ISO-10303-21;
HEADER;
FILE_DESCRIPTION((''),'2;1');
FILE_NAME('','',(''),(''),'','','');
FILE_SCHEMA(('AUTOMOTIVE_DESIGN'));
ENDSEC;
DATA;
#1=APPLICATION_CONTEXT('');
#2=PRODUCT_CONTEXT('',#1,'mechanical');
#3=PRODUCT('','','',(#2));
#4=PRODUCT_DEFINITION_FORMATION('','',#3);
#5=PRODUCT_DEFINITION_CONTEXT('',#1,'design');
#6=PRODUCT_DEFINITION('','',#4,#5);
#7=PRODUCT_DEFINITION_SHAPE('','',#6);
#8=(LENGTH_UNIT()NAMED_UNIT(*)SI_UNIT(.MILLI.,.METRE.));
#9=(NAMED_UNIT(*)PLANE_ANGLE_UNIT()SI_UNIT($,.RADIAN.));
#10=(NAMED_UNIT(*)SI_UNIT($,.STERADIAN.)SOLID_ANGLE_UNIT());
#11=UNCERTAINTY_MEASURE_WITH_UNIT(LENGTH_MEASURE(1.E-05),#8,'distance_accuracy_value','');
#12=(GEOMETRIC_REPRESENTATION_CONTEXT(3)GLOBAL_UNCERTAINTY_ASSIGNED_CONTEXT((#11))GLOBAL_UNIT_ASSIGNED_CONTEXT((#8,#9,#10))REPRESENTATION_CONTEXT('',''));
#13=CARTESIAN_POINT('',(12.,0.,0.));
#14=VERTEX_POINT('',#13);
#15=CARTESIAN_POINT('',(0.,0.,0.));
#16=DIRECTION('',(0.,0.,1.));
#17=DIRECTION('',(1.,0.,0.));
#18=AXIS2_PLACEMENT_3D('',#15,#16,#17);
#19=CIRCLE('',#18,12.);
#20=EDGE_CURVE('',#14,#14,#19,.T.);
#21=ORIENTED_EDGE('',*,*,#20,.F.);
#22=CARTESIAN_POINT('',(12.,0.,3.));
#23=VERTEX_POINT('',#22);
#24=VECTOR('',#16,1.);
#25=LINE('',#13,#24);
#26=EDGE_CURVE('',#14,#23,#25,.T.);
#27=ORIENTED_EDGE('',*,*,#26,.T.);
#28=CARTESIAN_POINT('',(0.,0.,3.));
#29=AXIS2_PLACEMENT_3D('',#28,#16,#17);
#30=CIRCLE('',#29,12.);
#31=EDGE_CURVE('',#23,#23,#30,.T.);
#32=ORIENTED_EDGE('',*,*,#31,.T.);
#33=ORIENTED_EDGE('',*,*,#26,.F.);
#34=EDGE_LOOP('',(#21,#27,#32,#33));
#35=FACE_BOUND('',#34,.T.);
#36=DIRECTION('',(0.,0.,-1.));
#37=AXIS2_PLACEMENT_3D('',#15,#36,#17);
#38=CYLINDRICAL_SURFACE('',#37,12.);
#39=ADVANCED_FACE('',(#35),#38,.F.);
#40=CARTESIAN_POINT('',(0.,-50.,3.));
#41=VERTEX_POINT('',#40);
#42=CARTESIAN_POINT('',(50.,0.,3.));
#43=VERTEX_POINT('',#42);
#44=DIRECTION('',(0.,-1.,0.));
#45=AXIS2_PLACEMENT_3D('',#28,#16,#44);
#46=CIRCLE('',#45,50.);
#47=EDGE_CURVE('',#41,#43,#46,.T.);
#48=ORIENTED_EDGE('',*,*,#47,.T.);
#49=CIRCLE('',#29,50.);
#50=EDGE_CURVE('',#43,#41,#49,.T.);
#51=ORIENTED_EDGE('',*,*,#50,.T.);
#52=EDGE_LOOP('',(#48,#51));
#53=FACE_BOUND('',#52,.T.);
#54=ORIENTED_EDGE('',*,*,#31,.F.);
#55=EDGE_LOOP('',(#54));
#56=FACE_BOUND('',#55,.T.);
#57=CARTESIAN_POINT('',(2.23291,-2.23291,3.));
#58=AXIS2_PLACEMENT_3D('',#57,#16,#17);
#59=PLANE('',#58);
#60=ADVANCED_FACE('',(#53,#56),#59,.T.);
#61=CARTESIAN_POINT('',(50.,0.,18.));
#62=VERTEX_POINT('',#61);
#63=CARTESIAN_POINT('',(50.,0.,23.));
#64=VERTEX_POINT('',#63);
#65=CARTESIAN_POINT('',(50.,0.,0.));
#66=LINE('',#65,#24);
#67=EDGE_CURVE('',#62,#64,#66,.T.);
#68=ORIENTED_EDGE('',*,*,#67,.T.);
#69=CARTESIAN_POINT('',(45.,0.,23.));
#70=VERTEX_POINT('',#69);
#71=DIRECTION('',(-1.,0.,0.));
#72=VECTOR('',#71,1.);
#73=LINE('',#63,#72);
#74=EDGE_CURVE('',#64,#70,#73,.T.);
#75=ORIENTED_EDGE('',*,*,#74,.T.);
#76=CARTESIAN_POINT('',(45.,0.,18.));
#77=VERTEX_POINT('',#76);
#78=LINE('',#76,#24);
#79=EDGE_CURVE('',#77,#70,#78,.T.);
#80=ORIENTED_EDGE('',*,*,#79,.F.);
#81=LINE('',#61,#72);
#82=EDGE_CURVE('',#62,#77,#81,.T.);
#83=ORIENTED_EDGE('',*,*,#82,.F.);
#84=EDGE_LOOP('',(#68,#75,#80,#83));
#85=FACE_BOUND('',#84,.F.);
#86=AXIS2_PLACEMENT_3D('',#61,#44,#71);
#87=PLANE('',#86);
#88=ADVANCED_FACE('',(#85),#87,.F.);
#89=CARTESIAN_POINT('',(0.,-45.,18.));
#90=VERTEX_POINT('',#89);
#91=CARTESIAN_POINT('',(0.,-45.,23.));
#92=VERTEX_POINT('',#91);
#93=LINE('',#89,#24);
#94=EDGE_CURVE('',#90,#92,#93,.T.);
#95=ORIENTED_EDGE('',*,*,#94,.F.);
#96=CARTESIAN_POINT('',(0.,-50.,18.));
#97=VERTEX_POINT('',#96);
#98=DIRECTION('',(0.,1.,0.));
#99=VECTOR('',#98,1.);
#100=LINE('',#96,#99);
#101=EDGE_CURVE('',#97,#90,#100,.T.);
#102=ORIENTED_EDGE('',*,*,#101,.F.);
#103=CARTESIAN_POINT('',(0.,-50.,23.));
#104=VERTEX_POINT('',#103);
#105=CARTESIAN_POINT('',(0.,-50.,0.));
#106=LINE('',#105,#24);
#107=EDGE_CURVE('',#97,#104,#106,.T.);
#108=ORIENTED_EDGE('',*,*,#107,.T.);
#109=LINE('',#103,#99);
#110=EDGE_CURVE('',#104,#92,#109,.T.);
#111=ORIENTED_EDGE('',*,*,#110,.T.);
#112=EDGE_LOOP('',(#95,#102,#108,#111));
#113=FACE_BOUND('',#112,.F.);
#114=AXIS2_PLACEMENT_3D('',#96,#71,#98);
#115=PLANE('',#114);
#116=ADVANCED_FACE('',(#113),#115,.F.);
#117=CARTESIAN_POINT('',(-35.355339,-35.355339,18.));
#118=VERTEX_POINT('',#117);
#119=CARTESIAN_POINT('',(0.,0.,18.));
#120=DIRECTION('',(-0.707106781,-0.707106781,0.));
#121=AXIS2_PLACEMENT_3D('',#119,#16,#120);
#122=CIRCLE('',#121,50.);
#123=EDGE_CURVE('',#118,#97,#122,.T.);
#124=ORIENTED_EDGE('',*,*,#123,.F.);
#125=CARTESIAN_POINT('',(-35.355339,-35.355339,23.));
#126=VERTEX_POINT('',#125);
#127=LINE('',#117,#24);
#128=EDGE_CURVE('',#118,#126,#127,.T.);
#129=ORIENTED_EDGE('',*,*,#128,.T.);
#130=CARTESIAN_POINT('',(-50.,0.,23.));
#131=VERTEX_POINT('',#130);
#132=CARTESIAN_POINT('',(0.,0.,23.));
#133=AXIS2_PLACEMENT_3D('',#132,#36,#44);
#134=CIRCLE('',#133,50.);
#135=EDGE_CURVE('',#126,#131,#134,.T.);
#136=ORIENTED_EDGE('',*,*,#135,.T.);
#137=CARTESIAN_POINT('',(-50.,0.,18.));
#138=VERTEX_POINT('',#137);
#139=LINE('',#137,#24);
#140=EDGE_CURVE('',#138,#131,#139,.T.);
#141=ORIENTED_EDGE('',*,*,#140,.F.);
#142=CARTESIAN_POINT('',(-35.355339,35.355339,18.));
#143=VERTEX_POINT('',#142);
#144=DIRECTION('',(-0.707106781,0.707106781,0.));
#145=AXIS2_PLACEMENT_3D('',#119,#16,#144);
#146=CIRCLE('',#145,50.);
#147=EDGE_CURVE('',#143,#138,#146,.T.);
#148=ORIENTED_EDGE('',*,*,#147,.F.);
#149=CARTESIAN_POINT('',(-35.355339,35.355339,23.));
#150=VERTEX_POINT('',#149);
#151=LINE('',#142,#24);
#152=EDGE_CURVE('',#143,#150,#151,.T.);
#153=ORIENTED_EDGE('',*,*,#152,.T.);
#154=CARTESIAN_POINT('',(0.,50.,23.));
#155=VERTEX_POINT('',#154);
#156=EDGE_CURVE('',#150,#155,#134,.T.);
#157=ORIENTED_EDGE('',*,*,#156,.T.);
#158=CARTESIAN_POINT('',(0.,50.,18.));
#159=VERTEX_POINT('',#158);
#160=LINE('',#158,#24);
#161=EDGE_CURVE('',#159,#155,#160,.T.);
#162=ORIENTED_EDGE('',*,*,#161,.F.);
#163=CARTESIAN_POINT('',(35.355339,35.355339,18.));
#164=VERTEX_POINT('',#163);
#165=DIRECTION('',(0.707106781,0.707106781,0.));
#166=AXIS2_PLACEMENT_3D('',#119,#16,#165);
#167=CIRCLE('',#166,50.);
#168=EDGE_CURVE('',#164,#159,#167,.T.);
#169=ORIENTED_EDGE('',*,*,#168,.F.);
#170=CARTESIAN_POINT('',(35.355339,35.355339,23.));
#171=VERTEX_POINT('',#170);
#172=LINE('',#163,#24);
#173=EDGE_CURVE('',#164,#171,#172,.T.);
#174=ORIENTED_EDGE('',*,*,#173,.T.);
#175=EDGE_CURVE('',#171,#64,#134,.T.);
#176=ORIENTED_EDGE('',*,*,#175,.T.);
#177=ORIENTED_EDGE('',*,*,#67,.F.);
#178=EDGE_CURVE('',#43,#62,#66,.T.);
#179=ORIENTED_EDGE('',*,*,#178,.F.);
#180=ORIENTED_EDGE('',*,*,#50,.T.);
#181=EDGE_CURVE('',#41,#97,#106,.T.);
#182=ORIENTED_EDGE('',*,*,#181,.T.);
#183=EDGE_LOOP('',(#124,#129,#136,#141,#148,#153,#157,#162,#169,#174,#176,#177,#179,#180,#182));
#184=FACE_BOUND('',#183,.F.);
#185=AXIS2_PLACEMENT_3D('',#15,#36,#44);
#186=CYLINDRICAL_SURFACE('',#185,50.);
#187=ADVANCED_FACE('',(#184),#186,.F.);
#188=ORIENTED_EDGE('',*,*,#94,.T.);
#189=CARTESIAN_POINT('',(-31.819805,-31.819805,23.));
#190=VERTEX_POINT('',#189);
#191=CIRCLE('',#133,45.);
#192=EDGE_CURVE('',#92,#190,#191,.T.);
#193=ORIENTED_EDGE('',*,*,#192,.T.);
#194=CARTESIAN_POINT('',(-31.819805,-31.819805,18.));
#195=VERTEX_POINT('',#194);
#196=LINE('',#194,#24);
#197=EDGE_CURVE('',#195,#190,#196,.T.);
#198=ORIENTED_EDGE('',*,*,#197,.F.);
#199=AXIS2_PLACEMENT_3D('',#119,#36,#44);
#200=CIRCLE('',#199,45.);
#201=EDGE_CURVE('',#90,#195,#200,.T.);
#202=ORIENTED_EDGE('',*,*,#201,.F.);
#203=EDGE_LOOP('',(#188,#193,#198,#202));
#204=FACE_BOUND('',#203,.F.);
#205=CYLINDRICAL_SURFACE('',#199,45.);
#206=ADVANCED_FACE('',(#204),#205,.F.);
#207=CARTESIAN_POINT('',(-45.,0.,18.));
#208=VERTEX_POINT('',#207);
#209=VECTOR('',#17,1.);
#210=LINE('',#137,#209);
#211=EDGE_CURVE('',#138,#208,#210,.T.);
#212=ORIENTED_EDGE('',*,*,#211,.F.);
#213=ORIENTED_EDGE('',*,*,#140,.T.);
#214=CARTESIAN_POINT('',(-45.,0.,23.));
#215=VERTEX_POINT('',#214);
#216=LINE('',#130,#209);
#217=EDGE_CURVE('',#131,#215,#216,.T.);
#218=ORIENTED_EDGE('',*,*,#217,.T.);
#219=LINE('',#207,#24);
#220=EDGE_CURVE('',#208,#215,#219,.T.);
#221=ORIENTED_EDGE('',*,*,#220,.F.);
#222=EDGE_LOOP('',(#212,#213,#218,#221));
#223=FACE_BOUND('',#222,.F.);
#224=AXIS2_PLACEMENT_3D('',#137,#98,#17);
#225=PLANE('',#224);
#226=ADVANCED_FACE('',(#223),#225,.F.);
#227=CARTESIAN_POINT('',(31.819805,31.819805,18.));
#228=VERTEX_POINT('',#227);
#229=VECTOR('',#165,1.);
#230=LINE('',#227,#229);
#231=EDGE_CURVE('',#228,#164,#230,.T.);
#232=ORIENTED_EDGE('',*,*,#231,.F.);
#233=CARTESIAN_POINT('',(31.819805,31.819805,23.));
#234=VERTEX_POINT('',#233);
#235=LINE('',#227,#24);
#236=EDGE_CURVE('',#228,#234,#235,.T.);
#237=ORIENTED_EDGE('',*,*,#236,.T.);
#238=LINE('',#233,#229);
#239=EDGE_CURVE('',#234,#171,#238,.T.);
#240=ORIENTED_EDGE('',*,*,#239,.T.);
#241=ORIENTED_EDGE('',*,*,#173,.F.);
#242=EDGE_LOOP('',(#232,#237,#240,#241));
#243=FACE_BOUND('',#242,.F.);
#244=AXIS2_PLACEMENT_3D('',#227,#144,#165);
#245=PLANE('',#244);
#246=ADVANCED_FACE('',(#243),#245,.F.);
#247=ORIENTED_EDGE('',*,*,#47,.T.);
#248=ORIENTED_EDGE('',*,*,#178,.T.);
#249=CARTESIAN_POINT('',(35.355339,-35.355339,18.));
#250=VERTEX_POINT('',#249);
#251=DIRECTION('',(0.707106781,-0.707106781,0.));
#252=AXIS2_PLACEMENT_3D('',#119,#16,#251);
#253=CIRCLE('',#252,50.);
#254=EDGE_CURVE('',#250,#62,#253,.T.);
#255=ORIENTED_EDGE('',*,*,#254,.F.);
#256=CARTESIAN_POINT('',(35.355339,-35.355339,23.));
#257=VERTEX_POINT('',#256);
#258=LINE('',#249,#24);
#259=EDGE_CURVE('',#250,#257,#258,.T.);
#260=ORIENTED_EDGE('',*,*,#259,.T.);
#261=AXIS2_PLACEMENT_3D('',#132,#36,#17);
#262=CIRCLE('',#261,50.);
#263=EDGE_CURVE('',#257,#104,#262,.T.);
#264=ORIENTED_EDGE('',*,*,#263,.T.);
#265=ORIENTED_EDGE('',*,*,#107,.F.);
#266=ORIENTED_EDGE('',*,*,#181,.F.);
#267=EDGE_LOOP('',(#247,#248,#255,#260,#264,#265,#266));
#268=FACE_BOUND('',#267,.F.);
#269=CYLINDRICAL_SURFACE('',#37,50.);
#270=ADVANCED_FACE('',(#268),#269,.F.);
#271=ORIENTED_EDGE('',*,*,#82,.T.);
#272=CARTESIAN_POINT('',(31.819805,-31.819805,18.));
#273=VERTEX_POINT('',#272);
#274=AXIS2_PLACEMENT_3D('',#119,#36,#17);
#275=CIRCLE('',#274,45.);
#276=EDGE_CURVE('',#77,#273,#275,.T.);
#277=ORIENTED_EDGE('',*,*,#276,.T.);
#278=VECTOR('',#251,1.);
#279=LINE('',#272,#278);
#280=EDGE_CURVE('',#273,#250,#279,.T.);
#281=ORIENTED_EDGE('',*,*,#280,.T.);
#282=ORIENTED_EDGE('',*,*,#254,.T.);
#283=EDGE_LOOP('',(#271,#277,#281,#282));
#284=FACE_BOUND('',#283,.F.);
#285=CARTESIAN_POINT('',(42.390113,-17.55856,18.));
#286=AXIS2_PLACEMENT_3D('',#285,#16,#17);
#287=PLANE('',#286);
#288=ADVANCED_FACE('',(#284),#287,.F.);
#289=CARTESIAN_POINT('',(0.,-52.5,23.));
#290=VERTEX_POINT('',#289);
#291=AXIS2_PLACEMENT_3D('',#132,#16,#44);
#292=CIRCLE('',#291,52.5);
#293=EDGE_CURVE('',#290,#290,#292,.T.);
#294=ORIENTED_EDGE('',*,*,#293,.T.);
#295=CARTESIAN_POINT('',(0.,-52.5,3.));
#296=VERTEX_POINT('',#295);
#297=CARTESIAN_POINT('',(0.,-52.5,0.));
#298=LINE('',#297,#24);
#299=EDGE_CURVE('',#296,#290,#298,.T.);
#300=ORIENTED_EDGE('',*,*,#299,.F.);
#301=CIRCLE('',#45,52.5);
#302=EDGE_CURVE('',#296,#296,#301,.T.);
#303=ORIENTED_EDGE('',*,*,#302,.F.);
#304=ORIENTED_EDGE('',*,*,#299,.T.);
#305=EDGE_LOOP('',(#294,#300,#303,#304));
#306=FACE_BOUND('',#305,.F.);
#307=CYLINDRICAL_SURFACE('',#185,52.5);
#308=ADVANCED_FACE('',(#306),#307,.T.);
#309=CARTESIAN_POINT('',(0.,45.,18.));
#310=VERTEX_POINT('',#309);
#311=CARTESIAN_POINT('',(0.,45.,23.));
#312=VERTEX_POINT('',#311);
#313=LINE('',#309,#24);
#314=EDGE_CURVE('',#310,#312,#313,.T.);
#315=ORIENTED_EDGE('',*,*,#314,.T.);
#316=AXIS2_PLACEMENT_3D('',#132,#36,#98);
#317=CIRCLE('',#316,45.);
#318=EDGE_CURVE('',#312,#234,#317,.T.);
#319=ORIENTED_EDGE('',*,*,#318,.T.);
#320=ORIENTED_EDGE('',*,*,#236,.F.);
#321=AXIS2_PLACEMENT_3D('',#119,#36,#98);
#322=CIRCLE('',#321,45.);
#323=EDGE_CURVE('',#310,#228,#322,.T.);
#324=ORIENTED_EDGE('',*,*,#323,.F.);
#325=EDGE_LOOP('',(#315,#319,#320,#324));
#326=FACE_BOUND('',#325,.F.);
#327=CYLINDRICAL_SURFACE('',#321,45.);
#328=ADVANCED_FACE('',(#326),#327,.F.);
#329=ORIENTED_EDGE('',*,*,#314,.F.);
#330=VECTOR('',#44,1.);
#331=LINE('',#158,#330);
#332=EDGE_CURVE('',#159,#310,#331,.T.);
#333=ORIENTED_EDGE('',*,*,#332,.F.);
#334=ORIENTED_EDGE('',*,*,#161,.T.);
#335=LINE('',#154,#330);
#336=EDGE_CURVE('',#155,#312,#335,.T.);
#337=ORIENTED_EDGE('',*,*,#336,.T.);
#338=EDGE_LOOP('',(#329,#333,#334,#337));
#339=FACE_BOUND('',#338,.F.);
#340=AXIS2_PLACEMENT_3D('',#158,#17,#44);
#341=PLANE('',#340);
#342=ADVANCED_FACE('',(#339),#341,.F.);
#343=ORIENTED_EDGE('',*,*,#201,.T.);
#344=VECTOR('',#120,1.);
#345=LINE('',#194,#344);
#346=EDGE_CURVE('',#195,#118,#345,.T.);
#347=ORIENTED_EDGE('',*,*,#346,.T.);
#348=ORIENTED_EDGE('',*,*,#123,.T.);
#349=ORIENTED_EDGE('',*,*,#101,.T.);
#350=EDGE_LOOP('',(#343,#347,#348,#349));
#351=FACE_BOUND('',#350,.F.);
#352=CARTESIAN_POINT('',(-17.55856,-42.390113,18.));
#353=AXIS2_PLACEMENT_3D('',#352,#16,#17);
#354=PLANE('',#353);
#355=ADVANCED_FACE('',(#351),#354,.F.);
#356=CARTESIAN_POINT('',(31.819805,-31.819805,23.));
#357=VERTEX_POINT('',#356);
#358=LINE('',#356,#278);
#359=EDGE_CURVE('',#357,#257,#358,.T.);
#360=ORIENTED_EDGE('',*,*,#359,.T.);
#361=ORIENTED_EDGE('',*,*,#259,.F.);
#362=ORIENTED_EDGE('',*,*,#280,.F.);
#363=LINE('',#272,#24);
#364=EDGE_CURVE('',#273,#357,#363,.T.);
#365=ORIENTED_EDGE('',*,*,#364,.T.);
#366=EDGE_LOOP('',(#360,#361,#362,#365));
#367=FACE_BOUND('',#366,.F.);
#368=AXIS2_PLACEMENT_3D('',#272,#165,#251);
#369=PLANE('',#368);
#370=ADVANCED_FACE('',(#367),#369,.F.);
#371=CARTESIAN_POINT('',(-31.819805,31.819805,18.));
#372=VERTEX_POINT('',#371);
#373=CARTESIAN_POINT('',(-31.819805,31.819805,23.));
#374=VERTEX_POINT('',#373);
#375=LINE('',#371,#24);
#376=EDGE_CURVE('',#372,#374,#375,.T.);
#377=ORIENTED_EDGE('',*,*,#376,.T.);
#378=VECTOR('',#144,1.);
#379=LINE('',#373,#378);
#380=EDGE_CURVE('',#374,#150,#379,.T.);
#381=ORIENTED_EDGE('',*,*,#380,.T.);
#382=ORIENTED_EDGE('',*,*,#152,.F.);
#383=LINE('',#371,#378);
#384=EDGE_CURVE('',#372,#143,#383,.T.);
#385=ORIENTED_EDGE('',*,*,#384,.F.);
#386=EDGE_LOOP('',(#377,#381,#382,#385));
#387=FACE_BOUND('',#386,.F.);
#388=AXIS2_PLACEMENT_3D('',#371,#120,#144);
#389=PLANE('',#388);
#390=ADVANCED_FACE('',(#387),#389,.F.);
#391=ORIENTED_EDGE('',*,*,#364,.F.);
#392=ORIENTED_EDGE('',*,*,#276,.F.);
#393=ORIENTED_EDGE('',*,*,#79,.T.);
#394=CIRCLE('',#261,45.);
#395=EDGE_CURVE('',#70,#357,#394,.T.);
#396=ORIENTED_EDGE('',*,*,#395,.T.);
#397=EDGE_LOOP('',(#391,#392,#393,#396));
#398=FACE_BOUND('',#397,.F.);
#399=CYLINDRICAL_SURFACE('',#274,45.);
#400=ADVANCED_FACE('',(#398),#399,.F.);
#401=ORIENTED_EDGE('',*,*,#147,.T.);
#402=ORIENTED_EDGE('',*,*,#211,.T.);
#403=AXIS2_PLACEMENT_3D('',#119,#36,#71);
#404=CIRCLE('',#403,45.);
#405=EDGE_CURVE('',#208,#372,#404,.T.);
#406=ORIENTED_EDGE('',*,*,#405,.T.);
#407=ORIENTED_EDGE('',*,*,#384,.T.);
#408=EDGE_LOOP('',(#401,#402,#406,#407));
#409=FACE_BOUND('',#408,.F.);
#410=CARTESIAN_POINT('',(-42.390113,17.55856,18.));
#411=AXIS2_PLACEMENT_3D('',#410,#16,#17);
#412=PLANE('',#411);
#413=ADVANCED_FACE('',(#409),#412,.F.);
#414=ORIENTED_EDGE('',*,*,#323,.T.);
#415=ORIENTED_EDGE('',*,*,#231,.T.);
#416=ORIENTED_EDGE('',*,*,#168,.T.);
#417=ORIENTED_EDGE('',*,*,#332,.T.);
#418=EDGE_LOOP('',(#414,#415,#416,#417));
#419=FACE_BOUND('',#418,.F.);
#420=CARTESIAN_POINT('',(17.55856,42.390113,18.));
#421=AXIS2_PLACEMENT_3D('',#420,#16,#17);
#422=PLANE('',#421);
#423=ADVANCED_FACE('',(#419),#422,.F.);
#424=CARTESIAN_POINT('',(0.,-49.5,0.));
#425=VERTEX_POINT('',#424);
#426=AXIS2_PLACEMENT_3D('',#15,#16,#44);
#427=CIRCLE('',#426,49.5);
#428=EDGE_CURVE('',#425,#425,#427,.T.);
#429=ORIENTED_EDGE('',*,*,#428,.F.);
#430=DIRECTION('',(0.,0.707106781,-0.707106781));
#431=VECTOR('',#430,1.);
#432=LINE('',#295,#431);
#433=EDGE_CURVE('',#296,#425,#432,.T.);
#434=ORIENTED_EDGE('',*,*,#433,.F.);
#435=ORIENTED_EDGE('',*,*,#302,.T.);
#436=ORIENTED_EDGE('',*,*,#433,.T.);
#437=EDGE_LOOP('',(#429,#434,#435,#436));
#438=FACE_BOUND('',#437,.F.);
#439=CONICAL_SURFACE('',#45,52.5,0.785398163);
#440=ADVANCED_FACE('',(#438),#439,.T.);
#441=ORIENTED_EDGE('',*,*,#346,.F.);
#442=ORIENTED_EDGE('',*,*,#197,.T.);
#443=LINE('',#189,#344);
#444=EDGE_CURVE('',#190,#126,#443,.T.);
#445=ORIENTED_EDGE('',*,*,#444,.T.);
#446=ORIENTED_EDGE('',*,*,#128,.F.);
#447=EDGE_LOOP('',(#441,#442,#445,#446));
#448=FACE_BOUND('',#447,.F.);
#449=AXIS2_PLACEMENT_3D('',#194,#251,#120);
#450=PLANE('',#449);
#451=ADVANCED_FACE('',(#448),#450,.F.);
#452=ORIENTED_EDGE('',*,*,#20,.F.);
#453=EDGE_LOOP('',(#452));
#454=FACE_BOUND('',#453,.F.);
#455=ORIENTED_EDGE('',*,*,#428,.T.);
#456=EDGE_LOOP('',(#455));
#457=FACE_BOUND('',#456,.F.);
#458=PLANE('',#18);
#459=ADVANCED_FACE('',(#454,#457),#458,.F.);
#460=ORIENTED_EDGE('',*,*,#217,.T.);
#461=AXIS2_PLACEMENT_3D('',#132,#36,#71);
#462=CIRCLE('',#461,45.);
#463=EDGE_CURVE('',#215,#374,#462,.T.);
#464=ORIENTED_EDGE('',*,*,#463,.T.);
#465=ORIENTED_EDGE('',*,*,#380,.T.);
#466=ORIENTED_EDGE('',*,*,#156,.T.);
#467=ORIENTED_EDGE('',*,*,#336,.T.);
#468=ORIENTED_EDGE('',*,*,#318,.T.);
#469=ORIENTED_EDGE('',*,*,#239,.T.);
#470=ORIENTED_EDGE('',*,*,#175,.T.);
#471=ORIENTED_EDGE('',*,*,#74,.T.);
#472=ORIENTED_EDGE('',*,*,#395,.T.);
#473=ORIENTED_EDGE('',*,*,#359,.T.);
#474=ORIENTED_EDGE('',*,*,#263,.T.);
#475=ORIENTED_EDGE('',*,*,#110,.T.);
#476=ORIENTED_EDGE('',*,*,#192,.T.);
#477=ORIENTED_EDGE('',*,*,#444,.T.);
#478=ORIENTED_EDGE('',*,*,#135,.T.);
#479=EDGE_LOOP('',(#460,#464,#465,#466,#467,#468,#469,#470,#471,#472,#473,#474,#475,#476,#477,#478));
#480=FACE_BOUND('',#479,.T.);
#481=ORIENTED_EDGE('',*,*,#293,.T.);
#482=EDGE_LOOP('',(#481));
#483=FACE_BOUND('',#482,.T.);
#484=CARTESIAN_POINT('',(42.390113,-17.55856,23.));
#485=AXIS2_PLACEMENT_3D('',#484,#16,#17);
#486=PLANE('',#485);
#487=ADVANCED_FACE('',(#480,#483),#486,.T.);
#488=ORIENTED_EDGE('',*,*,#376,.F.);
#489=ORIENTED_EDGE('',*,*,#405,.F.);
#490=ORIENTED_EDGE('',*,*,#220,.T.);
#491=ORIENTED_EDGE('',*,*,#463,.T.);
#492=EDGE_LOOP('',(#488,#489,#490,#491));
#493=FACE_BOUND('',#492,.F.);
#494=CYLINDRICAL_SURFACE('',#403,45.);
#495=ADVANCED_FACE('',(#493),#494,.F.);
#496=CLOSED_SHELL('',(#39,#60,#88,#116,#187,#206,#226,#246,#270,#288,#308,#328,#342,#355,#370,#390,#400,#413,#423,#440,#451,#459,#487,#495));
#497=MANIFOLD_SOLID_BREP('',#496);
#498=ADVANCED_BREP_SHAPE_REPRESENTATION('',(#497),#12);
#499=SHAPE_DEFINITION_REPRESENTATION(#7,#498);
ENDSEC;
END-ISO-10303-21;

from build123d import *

# Parameters (mm, degrees)
F0_R     = 12
F1_DEPTH = 3
F2_DEPTH = 23
F4_START = 18
F4_DEPTH = 5
F5_SIZE  = 3


with BuildPart() as f1:
    # F0 (on Top) → F1 (new body)
    with BuildSketch(Plane.XY):
        with BuildLine():
            ThreePointArc((0, -50), (35.3553390593, -35.3553390593), (50, 0))
            ThreePointArc((50, 0), (-35.3553390593, 35.3553390593), (0, -50))
        make_face()
        Circle(F0_R, mode=Mode.SUBTRACT)
    extrude(amount=F1_DEPTH)

    # F0 (on Top) → F2 (join)
    with BuildSketch(Plane.XY):
        with BuildLine():
            ThreePointArc((52.5, 0), (-37.1231060123, 37.1231060123), (0, -52.5))
            ThreePointArc((0, -52.5), (37.1231060123, -37.1231060123), (52.5, 0))
        make_face()
        with BuildLine():
            ThreePointArc((0, -50), (-35.3553390593, 35.3553390593), (50, 0))
            ThreePointArc((50, 0), (35.3553390593, -35.3553390593), (0, -50))
        make_face(mode=Mode.SUBTRACT)
    extrude(amount=F2_DEPTH)

    # F3 (on Top) → F4 (join)
    with BuildSketch(Plane.XY.offset(F4_START)):
        with BuildLine():
            Line((31.8198051534, -31.8198051534), (35.3553390593, -35.3553390593))
            ThreePointArc((35.3553390593, -35.3553390593), (46.1939766256, -19.1341716183), (50, 0))
            Line((50, 0), (45, 0))
            ThreePointArc((45, 0), (41.574578963, -17.2207544564), (31.8198051534, -31.8198051534))
        make_face()
        with BuildLine():
            ThreePointArc((-45, 0), (-41.574578963, 17.2207544564), (-31.8198051534, 31.8198051534))
            Line((-31.8198051534, 31.8198051534), (-35.3553390593, 35.3553390593))
            ThreePointArc((-35.3553390593, 35.3553390593), (-46.1939766256, 19.1341716183), (-50, 0))
            Line((-50, 0), (-45, 0))
        make_face()
        with BuildLine():
            ThreePointArc((35.3553390593, 35.3553390593), (19.1341716183, 46.1939766256), (0, 50))
            Line((0, 50), (0, 45))
            ThreePointArc((0, 45), (17.2207544564, 41.574578963), (31.8198051534, 31.8198051534))
            Line((31.8198051534, 31.8198051534), (35.3553390593, 35.3553390593))
        make_face()
        with BuildLine():
            Line((-31.8198051534, -31.8198051534), (-35.3553390593, -35.3553390593))
            ThreePointArc((-35.3553390593, -35.3553390593), (-19.1341716183, -46.1939766256), (0, -50))
            Line((0, -50), (0, -45))
            ThreePointArc((0, -45), (-17.2207544564, -41.574578963), (-31.8198051534, -31.8198051534))
        make_face()
    extrude(amount=F4_DEPTH)

    # F5
    f5_edges = [f1.edges().sort_by_distance(p)[0] for p in [
        (0, 52.5, 0),
    ]]
    chamfer(f5_edges, length=F5_SIZE)


solid = f1.part
